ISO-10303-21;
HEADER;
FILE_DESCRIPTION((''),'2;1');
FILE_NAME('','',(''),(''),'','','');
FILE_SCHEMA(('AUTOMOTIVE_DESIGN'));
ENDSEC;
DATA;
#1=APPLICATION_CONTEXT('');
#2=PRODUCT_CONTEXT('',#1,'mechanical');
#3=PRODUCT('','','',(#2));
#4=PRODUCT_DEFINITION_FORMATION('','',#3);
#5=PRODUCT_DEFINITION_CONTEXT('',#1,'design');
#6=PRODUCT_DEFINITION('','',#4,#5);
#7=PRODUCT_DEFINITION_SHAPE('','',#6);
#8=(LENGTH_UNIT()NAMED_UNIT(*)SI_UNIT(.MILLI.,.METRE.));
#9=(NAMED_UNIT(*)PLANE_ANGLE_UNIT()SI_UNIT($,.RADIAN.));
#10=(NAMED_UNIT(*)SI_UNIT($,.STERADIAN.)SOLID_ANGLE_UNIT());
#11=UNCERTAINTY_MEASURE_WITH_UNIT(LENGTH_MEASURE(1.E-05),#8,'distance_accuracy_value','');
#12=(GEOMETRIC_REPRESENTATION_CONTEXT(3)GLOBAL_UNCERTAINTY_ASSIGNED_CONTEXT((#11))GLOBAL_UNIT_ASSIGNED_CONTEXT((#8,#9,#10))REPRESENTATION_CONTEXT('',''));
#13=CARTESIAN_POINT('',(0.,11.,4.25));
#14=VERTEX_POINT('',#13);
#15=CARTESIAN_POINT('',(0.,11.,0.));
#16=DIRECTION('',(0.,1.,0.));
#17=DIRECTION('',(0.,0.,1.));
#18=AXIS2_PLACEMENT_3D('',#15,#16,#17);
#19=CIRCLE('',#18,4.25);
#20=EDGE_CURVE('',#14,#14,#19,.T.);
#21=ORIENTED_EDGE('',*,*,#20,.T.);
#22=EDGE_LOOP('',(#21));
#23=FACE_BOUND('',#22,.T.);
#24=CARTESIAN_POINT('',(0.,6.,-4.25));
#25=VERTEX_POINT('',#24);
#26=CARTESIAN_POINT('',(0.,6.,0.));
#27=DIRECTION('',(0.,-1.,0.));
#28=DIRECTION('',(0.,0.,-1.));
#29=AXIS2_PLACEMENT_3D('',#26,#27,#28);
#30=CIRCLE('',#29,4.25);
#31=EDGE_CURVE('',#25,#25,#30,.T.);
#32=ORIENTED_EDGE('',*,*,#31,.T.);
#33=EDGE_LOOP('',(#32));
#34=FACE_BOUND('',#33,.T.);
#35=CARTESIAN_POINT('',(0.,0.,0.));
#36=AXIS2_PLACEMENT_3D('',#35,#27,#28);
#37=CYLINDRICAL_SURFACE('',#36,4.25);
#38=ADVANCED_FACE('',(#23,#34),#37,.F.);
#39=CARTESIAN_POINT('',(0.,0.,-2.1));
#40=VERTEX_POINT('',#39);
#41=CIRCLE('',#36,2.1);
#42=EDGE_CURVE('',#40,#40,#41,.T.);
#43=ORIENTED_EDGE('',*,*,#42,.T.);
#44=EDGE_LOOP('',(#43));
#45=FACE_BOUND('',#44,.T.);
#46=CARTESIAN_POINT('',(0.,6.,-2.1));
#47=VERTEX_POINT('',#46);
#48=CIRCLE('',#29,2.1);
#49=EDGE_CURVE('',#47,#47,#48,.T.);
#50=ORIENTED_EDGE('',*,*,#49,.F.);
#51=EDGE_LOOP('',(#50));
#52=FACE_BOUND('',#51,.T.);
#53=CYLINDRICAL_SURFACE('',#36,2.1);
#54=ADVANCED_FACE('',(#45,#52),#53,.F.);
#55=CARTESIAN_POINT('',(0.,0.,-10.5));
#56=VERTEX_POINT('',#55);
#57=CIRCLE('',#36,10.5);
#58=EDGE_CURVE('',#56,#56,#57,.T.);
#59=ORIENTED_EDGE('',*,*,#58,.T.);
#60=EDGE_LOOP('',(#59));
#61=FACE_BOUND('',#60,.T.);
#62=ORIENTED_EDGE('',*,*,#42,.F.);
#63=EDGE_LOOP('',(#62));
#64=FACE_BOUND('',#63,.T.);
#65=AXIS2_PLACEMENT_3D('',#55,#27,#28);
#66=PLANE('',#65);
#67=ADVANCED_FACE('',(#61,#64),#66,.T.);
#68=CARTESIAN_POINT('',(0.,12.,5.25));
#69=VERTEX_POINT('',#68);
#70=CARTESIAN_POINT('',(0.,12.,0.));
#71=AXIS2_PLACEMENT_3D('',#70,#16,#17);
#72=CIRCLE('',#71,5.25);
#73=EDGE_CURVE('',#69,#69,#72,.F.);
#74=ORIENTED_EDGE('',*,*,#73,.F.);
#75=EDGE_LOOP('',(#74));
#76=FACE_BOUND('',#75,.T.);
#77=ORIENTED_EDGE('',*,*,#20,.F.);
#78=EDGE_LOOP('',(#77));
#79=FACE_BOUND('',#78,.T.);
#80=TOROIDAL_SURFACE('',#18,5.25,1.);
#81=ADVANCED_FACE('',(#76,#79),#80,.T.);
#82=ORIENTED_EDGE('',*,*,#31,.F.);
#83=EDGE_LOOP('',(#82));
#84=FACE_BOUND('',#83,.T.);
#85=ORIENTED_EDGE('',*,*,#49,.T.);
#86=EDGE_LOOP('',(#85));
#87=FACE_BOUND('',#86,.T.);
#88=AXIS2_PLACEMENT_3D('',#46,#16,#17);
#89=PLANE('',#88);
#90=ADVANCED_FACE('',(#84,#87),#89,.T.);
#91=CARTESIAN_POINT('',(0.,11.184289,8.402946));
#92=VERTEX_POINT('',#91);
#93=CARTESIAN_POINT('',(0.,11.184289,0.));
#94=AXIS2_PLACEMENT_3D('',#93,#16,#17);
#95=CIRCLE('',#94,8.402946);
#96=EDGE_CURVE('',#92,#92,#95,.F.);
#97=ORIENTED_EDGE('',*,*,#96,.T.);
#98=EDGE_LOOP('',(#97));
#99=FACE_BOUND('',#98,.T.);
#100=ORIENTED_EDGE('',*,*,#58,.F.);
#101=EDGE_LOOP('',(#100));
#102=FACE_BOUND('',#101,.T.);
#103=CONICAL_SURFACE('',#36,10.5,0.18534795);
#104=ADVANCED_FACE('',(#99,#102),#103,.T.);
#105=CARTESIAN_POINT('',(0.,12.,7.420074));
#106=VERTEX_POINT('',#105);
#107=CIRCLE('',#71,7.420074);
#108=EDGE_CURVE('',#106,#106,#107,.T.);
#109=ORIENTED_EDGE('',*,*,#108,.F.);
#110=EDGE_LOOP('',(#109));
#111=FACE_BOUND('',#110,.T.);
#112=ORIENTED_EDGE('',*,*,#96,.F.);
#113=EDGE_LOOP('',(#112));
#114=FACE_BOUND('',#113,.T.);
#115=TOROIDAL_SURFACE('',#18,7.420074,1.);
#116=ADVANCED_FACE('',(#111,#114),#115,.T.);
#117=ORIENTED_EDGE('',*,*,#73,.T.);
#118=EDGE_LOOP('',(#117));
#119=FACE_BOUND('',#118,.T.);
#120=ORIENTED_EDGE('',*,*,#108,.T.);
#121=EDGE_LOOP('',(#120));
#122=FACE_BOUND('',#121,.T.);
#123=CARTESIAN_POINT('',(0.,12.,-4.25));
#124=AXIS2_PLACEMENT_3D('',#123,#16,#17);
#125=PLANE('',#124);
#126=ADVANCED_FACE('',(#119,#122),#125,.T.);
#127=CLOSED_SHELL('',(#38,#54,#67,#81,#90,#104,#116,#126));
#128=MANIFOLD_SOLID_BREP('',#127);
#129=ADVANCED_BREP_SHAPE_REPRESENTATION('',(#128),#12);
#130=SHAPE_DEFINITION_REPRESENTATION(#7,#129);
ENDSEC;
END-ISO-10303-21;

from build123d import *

# Parameters (mm, degrees)
FILLET1_R = 1


with BuildPart() as part:
    # Sketch1 → Revolve1 (revolve)
    with BuildSketch(Plane(origin=(0, 0, 0), x_dir=(0, 0, -1), z_dir=(1, 0, 0))):
        Polygon((2.1, 6), (4.25, 6), (4.25, 12), (8.25, 12), (10.5, 0), (2.1, 0), align=None)
    revolve(axis=Axis((0, 0, 0), (0, 1, 0)))

    # Fillet1
    fillet1_edges = [part.edges().sort_by_distance(p)[0] for p in [
        (0, 12, 8.25),
        (0, 12, 4.25),
    ]]
    fillet(fillet1_edges, radius=FILLET1_R)


solid = part.part
